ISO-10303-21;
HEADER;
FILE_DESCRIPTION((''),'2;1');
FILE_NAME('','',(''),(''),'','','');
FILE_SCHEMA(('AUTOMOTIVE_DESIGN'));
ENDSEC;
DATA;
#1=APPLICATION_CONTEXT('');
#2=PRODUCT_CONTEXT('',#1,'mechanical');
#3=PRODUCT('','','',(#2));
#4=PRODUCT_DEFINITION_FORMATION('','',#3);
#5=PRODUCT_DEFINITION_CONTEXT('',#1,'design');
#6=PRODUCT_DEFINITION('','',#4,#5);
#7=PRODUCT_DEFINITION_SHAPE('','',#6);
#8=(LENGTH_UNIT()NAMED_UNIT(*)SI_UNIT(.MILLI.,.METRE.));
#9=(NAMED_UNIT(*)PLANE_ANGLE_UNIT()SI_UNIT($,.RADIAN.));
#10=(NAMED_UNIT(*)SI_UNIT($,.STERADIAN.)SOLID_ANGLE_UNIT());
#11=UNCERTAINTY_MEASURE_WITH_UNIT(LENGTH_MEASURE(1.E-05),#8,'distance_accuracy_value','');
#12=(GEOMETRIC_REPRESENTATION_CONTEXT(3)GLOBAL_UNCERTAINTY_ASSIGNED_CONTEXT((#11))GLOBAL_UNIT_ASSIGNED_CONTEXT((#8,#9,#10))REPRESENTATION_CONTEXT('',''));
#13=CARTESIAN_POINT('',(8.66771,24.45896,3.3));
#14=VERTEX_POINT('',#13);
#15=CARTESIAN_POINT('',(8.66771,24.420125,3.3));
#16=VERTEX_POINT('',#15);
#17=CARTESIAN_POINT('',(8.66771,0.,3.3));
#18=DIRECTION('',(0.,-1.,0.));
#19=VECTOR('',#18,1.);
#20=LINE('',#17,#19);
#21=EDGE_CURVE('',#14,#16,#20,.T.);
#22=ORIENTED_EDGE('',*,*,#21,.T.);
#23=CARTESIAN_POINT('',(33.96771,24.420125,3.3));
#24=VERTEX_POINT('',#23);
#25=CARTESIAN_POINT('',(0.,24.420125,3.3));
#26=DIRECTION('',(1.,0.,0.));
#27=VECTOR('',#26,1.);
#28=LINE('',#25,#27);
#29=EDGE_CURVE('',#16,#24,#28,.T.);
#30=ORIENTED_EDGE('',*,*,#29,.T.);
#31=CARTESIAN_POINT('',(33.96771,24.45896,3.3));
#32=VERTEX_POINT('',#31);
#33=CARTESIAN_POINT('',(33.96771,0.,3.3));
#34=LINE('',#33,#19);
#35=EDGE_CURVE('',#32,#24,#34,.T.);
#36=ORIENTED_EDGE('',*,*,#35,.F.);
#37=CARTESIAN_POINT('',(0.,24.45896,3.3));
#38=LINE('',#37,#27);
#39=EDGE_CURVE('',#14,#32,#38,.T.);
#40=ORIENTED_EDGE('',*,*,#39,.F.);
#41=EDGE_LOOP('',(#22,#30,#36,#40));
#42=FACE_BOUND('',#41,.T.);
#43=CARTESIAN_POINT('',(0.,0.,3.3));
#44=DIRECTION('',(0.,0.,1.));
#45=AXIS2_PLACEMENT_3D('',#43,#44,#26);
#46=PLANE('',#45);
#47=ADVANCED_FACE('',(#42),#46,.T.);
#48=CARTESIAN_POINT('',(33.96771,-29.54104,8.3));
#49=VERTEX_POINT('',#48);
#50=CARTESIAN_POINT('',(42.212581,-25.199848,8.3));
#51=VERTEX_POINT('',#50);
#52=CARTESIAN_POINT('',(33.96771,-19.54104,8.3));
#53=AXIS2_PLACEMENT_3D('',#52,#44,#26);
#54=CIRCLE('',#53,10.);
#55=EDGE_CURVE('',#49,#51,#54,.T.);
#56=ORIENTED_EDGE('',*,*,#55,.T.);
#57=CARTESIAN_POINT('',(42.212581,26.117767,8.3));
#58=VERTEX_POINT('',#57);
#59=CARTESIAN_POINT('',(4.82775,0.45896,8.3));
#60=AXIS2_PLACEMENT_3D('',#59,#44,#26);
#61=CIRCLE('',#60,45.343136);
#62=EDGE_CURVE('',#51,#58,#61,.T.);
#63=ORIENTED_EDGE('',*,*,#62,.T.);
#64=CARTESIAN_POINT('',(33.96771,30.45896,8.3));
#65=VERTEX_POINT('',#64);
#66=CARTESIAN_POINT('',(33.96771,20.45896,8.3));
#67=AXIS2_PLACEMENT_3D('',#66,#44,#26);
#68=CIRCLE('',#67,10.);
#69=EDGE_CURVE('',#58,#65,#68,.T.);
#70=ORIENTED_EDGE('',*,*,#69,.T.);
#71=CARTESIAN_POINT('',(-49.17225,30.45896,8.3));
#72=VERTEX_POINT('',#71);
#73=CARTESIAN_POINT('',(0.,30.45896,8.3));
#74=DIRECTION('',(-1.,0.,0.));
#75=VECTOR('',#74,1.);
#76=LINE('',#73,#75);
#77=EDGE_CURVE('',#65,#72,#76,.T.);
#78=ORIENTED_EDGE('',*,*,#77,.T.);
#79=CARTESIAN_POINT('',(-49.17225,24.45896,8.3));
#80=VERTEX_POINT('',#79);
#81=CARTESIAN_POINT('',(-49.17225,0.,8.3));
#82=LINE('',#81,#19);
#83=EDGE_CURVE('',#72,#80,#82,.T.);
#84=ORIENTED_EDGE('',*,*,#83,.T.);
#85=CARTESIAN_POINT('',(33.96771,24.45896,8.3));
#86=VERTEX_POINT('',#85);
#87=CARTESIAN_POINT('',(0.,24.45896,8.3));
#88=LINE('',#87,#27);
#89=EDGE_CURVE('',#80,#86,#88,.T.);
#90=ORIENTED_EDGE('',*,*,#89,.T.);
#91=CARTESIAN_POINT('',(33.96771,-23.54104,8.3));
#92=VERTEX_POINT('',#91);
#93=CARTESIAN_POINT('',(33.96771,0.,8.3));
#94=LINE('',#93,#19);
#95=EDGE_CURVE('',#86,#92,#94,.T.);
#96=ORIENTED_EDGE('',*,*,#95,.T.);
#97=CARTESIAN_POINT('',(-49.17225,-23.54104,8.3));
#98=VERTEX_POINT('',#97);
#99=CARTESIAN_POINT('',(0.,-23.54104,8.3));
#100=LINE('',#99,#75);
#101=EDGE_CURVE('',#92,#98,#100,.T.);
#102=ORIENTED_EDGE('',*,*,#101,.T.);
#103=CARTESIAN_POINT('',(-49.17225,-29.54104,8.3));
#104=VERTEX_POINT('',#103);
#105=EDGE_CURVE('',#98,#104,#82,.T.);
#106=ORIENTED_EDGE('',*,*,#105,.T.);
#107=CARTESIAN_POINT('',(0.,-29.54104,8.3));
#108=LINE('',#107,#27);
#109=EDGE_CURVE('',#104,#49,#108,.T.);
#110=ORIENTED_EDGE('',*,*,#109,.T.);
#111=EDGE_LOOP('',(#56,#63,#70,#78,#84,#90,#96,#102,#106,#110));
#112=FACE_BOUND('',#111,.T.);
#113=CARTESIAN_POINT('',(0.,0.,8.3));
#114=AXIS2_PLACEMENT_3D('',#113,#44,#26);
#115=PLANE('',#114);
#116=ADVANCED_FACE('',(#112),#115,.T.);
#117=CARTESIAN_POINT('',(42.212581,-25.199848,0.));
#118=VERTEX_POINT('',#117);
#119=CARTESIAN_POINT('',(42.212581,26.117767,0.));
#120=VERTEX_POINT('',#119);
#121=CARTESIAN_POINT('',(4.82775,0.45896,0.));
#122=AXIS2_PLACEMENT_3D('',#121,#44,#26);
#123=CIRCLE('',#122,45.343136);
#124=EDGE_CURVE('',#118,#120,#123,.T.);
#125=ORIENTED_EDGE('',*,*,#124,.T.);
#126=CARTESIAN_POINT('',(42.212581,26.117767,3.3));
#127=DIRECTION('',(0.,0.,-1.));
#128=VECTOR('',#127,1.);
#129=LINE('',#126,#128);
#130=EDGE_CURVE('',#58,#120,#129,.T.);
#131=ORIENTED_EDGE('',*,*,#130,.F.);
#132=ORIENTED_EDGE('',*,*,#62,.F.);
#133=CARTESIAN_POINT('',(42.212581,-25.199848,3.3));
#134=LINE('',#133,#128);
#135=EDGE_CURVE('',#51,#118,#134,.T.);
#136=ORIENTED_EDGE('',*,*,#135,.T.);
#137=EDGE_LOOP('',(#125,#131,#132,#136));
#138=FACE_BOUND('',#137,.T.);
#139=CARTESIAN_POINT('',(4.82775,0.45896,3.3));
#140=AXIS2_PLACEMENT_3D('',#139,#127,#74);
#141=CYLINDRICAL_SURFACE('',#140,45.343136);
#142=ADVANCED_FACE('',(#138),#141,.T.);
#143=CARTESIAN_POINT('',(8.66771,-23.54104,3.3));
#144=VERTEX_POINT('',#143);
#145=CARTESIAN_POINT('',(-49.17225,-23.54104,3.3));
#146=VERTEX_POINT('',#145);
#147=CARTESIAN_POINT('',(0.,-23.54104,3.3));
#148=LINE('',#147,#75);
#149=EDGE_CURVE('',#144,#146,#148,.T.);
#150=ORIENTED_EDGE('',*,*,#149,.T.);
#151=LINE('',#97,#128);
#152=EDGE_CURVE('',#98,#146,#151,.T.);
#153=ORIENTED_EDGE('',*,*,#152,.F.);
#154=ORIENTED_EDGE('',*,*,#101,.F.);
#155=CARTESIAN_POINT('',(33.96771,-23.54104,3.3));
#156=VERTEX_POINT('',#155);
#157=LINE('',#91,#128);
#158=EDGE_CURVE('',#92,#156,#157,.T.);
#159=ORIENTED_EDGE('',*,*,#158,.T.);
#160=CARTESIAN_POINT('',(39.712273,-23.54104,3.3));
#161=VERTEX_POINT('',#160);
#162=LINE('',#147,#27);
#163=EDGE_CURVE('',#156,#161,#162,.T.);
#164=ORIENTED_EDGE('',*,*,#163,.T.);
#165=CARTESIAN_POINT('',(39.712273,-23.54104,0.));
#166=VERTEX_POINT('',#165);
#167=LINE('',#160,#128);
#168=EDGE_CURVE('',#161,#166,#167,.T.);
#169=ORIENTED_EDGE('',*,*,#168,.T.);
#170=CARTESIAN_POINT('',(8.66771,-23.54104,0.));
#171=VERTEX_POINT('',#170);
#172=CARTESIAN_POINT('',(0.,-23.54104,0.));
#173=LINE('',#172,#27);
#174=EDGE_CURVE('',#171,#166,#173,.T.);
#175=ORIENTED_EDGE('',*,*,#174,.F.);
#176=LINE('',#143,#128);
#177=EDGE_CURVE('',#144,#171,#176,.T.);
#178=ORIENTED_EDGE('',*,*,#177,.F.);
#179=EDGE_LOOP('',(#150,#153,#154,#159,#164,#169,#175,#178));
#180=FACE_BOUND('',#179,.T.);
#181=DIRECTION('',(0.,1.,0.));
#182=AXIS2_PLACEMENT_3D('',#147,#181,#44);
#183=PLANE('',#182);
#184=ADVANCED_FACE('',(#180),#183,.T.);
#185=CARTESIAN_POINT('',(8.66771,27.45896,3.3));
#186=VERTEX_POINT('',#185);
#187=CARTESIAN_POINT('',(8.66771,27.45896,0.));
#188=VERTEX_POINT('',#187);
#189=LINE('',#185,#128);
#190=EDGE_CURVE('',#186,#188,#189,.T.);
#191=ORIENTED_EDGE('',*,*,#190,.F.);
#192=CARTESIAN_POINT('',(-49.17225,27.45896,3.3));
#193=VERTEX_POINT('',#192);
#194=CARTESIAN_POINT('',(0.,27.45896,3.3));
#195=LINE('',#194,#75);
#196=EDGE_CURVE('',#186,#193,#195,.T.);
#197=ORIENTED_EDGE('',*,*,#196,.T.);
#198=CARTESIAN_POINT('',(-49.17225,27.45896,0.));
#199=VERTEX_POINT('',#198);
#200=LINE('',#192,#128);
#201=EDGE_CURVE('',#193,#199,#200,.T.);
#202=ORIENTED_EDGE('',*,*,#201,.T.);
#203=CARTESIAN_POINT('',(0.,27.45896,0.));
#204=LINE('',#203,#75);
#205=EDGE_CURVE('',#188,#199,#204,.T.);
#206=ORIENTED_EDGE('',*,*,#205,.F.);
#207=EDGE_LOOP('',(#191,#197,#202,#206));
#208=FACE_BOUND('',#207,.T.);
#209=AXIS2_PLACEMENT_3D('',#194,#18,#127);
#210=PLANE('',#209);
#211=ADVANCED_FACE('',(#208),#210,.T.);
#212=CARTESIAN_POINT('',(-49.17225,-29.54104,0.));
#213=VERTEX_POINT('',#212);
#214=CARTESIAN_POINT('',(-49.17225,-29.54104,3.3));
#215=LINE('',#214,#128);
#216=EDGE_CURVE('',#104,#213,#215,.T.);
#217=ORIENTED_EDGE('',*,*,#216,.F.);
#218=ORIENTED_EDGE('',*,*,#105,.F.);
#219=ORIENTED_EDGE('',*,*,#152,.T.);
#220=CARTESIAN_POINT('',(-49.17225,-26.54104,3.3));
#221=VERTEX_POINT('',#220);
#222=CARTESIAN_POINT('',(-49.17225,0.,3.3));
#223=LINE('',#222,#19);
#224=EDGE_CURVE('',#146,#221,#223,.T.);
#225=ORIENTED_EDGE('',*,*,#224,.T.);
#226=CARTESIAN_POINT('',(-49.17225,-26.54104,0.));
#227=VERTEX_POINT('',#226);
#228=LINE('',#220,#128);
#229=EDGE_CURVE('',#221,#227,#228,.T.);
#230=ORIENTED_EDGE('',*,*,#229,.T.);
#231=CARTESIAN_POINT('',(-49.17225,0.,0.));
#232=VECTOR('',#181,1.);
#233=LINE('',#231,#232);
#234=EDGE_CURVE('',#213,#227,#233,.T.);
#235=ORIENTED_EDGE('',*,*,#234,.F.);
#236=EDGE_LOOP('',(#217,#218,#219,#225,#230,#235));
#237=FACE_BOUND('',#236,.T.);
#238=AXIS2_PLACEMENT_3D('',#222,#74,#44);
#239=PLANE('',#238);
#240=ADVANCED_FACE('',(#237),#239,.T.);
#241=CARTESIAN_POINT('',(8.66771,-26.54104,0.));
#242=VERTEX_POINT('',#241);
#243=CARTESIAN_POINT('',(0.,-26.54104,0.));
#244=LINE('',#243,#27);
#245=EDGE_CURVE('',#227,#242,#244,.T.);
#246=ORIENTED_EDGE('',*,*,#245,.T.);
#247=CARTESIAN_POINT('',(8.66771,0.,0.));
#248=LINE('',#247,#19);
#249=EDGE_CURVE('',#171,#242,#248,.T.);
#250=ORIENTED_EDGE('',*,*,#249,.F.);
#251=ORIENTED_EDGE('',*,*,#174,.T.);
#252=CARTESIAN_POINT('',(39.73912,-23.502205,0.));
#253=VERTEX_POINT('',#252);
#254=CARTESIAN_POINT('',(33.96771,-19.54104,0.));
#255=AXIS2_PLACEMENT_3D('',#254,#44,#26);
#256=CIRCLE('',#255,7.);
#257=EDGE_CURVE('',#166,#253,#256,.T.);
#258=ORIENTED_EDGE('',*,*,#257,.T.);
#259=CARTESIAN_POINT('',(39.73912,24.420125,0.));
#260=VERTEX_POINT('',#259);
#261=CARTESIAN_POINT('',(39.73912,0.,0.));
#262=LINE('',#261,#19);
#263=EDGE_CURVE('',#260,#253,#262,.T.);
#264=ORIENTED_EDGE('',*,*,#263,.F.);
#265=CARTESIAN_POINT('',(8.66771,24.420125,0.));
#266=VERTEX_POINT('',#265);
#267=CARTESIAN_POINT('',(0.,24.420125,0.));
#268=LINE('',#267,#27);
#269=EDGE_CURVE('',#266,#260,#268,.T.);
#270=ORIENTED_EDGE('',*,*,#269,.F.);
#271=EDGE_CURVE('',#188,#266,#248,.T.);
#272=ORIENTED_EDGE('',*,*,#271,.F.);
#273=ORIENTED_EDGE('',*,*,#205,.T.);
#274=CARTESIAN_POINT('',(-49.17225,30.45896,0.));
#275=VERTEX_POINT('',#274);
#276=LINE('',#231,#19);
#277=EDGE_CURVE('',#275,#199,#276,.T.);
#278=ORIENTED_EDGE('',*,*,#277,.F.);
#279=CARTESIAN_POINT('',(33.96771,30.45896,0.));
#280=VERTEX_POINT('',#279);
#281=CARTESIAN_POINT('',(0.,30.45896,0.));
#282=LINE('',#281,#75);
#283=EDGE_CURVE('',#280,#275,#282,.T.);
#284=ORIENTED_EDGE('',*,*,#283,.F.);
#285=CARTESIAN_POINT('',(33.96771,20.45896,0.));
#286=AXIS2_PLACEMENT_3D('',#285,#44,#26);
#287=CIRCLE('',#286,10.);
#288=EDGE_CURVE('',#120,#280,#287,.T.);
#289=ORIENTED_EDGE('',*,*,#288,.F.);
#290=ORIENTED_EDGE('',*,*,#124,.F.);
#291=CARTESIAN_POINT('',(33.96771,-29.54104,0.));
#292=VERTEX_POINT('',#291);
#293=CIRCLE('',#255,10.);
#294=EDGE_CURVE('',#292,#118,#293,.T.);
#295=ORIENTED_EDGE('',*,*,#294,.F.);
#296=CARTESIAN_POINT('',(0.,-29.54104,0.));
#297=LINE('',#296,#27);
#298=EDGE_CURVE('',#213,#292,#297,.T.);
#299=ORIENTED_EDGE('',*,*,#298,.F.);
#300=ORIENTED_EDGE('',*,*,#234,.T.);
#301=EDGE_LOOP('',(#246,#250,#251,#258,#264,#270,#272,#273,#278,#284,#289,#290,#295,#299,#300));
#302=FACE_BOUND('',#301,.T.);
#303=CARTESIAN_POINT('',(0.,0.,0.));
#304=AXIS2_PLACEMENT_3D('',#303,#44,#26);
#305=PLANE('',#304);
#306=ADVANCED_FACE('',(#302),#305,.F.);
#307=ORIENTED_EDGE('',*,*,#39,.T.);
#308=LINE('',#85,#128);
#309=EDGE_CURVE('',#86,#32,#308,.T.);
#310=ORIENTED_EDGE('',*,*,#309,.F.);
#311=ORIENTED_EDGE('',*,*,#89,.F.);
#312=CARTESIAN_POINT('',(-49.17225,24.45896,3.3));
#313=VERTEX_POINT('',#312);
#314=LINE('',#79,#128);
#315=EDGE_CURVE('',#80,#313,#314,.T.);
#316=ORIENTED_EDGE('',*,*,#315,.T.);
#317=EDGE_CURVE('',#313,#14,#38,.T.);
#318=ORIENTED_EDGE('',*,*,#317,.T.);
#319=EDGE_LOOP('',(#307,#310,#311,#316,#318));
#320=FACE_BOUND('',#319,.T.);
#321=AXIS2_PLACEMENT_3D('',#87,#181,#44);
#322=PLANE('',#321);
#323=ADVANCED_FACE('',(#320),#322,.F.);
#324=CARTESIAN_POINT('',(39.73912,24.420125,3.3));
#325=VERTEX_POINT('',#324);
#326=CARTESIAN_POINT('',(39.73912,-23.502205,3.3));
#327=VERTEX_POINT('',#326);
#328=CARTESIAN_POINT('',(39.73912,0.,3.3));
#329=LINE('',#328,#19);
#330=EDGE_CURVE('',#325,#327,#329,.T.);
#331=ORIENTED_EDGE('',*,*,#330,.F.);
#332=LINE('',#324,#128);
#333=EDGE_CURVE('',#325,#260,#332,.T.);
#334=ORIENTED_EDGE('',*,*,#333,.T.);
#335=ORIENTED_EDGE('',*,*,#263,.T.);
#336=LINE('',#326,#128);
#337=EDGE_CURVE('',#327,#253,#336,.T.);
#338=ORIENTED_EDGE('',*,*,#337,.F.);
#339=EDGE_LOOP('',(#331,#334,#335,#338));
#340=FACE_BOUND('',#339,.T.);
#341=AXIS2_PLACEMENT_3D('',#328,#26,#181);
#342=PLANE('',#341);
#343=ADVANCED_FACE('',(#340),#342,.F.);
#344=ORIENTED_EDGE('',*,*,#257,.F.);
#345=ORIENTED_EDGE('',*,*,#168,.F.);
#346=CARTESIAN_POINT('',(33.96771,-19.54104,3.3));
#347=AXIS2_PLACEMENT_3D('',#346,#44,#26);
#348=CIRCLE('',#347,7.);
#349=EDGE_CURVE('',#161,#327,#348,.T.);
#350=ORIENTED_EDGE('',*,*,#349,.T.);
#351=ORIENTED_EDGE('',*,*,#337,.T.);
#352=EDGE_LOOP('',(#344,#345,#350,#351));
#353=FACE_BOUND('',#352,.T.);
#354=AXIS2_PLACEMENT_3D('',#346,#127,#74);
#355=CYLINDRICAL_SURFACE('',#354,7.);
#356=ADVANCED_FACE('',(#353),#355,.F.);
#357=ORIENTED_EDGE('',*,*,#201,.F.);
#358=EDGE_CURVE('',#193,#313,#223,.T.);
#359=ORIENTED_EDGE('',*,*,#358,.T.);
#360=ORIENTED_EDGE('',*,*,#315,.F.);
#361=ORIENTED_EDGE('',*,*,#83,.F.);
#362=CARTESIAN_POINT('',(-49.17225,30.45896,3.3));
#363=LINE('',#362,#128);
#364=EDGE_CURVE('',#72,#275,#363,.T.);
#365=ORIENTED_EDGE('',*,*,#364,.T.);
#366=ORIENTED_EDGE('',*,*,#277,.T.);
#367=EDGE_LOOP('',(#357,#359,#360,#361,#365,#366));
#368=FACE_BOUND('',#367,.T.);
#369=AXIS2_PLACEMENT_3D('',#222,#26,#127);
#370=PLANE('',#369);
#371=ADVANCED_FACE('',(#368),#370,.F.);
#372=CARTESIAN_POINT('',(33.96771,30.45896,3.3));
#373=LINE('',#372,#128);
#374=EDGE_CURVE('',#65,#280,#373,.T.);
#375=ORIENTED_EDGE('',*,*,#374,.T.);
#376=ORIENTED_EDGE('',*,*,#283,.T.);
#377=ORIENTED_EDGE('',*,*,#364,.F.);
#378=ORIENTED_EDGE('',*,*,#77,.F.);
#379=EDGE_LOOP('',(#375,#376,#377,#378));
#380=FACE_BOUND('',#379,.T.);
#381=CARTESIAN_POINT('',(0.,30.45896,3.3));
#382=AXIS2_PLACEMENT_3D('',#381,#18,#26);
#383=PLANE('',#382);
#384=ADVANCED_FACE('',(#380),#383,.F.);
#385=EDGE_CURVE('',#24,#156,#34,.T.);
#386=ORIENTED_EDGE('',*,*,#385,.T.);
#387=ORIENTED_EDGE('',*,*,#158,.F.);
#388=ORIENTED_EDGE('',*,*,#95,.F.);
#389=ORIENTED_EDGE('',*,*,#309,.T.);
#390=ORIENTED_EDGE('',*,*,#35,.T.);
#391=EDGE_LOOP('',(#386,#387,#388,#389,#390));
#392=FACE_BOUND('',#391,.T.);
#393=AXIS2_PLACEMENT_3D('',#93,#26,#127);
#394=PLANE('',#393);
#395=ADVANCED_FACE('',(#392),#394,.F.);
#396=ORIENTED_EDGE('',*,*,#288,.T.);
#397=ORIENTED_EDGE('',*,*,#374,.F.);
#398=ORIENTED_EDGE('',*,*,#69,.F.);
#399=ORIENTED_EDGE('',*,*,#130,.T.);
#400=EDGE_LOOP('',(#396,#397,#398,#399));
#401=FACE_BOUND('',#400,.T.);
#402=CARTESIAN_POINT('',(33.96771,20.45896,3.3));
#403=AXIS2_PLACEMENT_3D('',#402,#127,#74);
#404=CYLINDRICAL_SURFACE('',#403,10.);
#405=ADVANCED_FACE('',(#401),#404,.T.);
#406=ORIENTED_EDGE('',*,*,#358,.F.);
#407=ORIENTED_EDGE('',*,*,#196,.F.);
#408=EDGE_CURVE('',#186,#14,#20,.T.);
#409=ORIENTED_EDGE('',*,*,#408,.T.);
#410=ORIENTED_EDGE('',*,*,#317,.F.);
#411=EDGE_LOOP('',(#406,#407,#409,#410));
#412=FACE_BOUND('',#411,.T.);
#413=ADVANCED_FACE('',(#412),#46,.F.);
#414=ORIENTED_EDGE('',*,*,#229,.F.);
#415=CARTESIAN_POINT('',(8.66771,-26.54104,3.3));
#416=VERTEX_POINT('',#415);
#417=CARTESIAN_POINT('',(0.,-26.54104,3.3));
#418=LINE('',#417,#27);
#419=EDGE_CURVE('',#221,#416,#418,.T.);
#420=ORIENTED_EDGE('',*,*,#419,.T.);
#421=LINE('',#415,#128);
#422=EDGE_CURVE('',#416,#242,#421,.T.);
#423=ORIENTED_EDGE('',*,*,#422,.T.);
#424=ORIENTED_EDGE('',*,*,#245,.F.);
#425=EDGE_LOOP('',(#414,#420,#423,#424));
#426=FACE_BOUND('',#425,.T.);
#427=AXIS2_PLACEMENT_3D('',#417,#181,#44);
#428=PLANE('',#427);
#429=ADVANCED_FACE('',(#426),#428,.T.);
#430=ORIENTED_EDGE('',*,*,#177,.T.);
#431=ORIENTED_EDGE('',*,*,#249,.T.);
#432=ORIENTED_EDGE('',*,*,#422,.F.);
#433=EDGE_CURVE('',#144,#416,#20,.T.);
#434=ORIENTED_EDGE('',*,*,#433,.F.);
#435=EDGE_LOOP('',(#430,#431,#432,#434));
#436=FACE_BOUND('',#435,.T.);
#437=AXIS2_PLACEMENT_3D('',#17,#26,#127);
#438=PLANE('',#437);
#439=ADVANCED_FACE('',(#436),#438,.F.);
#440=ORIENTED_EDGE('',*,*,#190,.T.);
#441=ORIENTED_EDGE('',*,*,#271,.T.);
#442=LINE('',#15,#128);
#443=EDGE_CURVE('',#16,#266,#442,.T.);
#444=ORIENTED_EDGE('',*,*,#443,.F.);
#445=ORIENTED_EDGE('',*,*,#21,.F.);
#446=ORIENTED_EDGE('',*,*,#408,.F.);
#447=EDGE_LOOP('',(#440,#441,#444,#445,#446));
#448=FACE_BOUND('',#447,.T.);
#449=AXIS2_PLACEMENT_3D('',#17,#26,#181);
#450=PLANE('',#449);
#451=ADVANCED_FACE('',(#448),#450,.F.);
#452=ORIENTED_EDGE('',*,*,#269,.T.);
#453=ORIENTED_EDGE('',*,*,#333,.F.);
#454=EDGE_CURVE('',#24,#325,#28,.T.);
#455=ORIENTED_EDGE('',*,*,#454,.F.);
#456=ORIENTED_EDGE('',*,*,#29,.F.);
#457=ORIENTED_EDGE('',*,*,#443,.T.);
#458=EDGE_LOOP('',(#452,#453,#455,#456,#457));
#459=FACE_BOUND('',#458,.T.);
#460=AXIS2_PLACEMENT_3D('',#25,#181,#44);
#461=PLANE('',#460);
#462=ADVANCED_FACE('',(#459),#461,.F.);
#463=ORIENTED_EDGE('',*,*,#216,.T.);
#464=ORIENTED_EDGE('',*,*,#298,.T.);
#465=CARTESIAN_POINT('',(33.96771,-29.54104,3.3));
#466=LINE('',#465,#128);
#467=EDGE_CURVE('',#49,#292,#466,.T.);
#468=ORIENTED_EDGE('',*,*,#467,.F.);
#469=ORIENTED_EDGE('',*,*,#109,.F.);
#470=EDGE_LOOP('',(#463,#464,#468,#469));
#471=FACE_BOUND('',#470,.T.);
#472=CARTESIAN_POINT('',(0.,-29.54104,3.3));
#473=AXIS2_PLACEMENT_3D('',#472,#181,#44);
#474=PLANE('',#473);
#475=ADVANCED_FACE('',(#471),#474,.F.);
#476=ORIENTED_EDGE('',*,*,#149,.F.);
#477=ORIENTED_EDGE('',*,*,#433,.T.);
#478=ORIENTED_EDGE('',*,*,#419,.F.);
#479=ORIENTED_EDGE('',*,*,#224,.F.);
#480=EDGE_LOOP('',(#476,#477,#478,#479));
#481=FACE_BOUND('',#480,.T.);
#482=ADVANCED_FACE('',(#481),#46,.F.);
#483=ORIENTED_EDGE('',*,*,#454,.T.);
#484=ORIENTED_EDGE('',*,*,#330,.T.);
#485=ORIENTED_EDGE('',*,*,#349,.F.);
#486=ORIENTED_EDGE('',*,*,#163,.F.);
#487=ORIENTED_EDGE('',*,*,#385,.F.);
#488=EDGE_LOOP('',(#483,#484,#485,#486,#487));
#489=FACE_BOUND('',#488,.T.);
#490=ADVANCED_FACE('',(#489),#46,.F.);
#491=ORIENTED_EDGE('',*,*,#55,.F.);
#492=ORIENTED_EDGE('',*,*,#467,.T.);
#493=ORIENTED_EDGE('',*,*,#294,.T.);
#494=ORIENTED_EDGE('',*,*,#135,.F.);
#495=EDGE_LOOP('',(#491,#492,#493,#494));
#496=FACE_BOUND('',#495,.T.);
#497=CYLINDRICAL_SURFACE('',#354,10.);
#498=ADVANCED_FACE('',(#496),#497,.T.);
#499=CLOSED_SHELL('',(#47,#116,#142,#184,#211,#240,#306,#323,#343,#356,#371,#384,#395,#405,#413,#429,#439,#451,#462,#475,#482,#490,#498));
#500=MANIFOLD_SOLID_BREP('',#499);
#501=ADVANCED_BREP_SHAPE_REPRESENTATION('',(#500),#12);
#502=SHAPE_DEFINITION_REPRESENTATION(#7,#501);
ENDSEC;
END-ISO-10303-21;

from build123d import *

# Parameters (mm, degrees)
EXTRUDE_1_DEPTH = 3.3
SKETCH_2_W      = 57.839960125
SKETCH_2_H      = 3
EXTRUDE_2_DEPTH = 5


with BuildPart() as part:
    # 草图1 → 凸台-拉伸1 (new body)
    with BuildSketch(Plane.XY):
        with BuildLine():
            Line((-49.172249904, -26.54104015), (-49.172249904, -29.54104015))
            Line((-49.172249904, -29.54104015), (33.967710221, -29.54104015))
            ThreePointArc((33.967710221, -29.54104015), (38.626676103, -28.38943192), (42.212581294, -25.199847532))
            ThreePointArc((42.212581294, -25.199847532), (50.170886291, 0.45895985), (42.212581294, 26.117767232))
            ThreePointArc((42.212581294, 26.117767232), (38.626676103, 29.307351619), (33.967710221, 30.45895985))
            Line((33.967710221, 30.45895985), (-49.172249904, 30.45895985))
            Line((-49.172249904, 30.45895985), (-49.172249904, 27.45895985))
            Line((-49.172249904, 27.45895985), (8.667710221, 27.45895985))
            Line((8.667710221, 27.45895985), (8.667710221, 24.420125017))
            Line((8.667710221, 24.420125017), (39.739119972, 24.420125017))
            Line((39.739119972, 24.420125017), (39.739119972, -23.502205318))
            ThreePointArc((39.739119972, -23.502205318), (39.72572916, -23.521645368), (39.712272868, -23.54104015))
            Line((39.712272868, -23.54104015), (8.667710221, -23.54104015))
            Line((8.667710221, -23.54104015), (8.667710221, -26.54104015))
            Line((8.667710221, -26.54104015), (-49.172249904, -26.54104015))
        make_face()
    extrude(amount=EXTRUDE_1_DEPTH)

    # 草图2 → 凸台-拉伸2 (add)
    with BuildSketch(Plane.XY.offset(3.3)):
        with Locations((-20.252269842, -25.04104015)):
            Rectangle(SKETCH_2_W, SKETCH_2_H)
        with BuildLine():
            Line((39.739119972, 24.420125017), (33.967710221, 24.420125017))
            Line((33.967710221, 24.420125017), (33.967710221, -23.54104015))
            Line((33.967710221, -23.54104015), (39.712272868, -23.54104015))
            ThreePointArc((39.712272868, -23.54104015), (39.72572916, -23.521645368), (39.739119972, -23.502205318))
            Line((39.739119972, -23.502205318), (39.739119972, 24.420125017))
        make_face()
        with BuildLine():
            Line((-49.172249904, 30.45895985), (-49.172249904, 27.45895985))
            Line((-49.172249904, 27.45895985), (8.667710221, 27.45895985))
            Line((8.667710221, 27.45895985), (8.667710221, 24.45895985))
            Line((8.667710221, 24.45895985), (33.967710221, 24.45895985))
            Line((33.967710221, 24.45895985), (33.967710221, 24.420125017))
            Line((33.967710221, 24.420125017), (39.739119972, 24.420125017))
            Line((39.739119972, 24.420125017), (39.739119972, -23.502205318))
            ThreePointArc((39.739119972, -23.502205318), (39.72572916, -23.521645368), (39.712272868, -23.54104015))
            Line((39.712272868, -23.54104015), (33.967710221, -23.54104015))
            Line((33.967710221, -23.54104015), (8.667710221, -23.54104015))
            Line((8.667710221, -23.54104015), (8.667710221, -26.54104015))
            Line((8.667710221, -26.54104015), (-49.172249904, -26.54104015))
            Line((-49.172249904, -26.54104015), (-49.172249904, -29.54104015))
            Line((-49.172249904, -29.54104015), (33.967710221, -29.54104015))
            ThreePointArc((33.967710221, -29.54104015), (38.626676103, -28.38943192), (42.212581294, -25.199847532))
            ThreePointArc((42.212581294, -25.199847532), (50.170886291, 0.45895985), (42.212581294, 26.117767232))
            ThreePointArc((42.212581294, 26.117767232), (38.626676103, 29.307351619), (33.967710221, 30.45895985))
            Line((33.967710221, 30.45895985), (-49.172249904, 30.45895985))
        make_face()
        with Locations((-20.252269842, 25.95895985)):
            Rectangle(SKETCH_2_W, SKETCH_2_H)
    extrude(amount=EXTRUDE_2_DEPTH)


solid = part.part
